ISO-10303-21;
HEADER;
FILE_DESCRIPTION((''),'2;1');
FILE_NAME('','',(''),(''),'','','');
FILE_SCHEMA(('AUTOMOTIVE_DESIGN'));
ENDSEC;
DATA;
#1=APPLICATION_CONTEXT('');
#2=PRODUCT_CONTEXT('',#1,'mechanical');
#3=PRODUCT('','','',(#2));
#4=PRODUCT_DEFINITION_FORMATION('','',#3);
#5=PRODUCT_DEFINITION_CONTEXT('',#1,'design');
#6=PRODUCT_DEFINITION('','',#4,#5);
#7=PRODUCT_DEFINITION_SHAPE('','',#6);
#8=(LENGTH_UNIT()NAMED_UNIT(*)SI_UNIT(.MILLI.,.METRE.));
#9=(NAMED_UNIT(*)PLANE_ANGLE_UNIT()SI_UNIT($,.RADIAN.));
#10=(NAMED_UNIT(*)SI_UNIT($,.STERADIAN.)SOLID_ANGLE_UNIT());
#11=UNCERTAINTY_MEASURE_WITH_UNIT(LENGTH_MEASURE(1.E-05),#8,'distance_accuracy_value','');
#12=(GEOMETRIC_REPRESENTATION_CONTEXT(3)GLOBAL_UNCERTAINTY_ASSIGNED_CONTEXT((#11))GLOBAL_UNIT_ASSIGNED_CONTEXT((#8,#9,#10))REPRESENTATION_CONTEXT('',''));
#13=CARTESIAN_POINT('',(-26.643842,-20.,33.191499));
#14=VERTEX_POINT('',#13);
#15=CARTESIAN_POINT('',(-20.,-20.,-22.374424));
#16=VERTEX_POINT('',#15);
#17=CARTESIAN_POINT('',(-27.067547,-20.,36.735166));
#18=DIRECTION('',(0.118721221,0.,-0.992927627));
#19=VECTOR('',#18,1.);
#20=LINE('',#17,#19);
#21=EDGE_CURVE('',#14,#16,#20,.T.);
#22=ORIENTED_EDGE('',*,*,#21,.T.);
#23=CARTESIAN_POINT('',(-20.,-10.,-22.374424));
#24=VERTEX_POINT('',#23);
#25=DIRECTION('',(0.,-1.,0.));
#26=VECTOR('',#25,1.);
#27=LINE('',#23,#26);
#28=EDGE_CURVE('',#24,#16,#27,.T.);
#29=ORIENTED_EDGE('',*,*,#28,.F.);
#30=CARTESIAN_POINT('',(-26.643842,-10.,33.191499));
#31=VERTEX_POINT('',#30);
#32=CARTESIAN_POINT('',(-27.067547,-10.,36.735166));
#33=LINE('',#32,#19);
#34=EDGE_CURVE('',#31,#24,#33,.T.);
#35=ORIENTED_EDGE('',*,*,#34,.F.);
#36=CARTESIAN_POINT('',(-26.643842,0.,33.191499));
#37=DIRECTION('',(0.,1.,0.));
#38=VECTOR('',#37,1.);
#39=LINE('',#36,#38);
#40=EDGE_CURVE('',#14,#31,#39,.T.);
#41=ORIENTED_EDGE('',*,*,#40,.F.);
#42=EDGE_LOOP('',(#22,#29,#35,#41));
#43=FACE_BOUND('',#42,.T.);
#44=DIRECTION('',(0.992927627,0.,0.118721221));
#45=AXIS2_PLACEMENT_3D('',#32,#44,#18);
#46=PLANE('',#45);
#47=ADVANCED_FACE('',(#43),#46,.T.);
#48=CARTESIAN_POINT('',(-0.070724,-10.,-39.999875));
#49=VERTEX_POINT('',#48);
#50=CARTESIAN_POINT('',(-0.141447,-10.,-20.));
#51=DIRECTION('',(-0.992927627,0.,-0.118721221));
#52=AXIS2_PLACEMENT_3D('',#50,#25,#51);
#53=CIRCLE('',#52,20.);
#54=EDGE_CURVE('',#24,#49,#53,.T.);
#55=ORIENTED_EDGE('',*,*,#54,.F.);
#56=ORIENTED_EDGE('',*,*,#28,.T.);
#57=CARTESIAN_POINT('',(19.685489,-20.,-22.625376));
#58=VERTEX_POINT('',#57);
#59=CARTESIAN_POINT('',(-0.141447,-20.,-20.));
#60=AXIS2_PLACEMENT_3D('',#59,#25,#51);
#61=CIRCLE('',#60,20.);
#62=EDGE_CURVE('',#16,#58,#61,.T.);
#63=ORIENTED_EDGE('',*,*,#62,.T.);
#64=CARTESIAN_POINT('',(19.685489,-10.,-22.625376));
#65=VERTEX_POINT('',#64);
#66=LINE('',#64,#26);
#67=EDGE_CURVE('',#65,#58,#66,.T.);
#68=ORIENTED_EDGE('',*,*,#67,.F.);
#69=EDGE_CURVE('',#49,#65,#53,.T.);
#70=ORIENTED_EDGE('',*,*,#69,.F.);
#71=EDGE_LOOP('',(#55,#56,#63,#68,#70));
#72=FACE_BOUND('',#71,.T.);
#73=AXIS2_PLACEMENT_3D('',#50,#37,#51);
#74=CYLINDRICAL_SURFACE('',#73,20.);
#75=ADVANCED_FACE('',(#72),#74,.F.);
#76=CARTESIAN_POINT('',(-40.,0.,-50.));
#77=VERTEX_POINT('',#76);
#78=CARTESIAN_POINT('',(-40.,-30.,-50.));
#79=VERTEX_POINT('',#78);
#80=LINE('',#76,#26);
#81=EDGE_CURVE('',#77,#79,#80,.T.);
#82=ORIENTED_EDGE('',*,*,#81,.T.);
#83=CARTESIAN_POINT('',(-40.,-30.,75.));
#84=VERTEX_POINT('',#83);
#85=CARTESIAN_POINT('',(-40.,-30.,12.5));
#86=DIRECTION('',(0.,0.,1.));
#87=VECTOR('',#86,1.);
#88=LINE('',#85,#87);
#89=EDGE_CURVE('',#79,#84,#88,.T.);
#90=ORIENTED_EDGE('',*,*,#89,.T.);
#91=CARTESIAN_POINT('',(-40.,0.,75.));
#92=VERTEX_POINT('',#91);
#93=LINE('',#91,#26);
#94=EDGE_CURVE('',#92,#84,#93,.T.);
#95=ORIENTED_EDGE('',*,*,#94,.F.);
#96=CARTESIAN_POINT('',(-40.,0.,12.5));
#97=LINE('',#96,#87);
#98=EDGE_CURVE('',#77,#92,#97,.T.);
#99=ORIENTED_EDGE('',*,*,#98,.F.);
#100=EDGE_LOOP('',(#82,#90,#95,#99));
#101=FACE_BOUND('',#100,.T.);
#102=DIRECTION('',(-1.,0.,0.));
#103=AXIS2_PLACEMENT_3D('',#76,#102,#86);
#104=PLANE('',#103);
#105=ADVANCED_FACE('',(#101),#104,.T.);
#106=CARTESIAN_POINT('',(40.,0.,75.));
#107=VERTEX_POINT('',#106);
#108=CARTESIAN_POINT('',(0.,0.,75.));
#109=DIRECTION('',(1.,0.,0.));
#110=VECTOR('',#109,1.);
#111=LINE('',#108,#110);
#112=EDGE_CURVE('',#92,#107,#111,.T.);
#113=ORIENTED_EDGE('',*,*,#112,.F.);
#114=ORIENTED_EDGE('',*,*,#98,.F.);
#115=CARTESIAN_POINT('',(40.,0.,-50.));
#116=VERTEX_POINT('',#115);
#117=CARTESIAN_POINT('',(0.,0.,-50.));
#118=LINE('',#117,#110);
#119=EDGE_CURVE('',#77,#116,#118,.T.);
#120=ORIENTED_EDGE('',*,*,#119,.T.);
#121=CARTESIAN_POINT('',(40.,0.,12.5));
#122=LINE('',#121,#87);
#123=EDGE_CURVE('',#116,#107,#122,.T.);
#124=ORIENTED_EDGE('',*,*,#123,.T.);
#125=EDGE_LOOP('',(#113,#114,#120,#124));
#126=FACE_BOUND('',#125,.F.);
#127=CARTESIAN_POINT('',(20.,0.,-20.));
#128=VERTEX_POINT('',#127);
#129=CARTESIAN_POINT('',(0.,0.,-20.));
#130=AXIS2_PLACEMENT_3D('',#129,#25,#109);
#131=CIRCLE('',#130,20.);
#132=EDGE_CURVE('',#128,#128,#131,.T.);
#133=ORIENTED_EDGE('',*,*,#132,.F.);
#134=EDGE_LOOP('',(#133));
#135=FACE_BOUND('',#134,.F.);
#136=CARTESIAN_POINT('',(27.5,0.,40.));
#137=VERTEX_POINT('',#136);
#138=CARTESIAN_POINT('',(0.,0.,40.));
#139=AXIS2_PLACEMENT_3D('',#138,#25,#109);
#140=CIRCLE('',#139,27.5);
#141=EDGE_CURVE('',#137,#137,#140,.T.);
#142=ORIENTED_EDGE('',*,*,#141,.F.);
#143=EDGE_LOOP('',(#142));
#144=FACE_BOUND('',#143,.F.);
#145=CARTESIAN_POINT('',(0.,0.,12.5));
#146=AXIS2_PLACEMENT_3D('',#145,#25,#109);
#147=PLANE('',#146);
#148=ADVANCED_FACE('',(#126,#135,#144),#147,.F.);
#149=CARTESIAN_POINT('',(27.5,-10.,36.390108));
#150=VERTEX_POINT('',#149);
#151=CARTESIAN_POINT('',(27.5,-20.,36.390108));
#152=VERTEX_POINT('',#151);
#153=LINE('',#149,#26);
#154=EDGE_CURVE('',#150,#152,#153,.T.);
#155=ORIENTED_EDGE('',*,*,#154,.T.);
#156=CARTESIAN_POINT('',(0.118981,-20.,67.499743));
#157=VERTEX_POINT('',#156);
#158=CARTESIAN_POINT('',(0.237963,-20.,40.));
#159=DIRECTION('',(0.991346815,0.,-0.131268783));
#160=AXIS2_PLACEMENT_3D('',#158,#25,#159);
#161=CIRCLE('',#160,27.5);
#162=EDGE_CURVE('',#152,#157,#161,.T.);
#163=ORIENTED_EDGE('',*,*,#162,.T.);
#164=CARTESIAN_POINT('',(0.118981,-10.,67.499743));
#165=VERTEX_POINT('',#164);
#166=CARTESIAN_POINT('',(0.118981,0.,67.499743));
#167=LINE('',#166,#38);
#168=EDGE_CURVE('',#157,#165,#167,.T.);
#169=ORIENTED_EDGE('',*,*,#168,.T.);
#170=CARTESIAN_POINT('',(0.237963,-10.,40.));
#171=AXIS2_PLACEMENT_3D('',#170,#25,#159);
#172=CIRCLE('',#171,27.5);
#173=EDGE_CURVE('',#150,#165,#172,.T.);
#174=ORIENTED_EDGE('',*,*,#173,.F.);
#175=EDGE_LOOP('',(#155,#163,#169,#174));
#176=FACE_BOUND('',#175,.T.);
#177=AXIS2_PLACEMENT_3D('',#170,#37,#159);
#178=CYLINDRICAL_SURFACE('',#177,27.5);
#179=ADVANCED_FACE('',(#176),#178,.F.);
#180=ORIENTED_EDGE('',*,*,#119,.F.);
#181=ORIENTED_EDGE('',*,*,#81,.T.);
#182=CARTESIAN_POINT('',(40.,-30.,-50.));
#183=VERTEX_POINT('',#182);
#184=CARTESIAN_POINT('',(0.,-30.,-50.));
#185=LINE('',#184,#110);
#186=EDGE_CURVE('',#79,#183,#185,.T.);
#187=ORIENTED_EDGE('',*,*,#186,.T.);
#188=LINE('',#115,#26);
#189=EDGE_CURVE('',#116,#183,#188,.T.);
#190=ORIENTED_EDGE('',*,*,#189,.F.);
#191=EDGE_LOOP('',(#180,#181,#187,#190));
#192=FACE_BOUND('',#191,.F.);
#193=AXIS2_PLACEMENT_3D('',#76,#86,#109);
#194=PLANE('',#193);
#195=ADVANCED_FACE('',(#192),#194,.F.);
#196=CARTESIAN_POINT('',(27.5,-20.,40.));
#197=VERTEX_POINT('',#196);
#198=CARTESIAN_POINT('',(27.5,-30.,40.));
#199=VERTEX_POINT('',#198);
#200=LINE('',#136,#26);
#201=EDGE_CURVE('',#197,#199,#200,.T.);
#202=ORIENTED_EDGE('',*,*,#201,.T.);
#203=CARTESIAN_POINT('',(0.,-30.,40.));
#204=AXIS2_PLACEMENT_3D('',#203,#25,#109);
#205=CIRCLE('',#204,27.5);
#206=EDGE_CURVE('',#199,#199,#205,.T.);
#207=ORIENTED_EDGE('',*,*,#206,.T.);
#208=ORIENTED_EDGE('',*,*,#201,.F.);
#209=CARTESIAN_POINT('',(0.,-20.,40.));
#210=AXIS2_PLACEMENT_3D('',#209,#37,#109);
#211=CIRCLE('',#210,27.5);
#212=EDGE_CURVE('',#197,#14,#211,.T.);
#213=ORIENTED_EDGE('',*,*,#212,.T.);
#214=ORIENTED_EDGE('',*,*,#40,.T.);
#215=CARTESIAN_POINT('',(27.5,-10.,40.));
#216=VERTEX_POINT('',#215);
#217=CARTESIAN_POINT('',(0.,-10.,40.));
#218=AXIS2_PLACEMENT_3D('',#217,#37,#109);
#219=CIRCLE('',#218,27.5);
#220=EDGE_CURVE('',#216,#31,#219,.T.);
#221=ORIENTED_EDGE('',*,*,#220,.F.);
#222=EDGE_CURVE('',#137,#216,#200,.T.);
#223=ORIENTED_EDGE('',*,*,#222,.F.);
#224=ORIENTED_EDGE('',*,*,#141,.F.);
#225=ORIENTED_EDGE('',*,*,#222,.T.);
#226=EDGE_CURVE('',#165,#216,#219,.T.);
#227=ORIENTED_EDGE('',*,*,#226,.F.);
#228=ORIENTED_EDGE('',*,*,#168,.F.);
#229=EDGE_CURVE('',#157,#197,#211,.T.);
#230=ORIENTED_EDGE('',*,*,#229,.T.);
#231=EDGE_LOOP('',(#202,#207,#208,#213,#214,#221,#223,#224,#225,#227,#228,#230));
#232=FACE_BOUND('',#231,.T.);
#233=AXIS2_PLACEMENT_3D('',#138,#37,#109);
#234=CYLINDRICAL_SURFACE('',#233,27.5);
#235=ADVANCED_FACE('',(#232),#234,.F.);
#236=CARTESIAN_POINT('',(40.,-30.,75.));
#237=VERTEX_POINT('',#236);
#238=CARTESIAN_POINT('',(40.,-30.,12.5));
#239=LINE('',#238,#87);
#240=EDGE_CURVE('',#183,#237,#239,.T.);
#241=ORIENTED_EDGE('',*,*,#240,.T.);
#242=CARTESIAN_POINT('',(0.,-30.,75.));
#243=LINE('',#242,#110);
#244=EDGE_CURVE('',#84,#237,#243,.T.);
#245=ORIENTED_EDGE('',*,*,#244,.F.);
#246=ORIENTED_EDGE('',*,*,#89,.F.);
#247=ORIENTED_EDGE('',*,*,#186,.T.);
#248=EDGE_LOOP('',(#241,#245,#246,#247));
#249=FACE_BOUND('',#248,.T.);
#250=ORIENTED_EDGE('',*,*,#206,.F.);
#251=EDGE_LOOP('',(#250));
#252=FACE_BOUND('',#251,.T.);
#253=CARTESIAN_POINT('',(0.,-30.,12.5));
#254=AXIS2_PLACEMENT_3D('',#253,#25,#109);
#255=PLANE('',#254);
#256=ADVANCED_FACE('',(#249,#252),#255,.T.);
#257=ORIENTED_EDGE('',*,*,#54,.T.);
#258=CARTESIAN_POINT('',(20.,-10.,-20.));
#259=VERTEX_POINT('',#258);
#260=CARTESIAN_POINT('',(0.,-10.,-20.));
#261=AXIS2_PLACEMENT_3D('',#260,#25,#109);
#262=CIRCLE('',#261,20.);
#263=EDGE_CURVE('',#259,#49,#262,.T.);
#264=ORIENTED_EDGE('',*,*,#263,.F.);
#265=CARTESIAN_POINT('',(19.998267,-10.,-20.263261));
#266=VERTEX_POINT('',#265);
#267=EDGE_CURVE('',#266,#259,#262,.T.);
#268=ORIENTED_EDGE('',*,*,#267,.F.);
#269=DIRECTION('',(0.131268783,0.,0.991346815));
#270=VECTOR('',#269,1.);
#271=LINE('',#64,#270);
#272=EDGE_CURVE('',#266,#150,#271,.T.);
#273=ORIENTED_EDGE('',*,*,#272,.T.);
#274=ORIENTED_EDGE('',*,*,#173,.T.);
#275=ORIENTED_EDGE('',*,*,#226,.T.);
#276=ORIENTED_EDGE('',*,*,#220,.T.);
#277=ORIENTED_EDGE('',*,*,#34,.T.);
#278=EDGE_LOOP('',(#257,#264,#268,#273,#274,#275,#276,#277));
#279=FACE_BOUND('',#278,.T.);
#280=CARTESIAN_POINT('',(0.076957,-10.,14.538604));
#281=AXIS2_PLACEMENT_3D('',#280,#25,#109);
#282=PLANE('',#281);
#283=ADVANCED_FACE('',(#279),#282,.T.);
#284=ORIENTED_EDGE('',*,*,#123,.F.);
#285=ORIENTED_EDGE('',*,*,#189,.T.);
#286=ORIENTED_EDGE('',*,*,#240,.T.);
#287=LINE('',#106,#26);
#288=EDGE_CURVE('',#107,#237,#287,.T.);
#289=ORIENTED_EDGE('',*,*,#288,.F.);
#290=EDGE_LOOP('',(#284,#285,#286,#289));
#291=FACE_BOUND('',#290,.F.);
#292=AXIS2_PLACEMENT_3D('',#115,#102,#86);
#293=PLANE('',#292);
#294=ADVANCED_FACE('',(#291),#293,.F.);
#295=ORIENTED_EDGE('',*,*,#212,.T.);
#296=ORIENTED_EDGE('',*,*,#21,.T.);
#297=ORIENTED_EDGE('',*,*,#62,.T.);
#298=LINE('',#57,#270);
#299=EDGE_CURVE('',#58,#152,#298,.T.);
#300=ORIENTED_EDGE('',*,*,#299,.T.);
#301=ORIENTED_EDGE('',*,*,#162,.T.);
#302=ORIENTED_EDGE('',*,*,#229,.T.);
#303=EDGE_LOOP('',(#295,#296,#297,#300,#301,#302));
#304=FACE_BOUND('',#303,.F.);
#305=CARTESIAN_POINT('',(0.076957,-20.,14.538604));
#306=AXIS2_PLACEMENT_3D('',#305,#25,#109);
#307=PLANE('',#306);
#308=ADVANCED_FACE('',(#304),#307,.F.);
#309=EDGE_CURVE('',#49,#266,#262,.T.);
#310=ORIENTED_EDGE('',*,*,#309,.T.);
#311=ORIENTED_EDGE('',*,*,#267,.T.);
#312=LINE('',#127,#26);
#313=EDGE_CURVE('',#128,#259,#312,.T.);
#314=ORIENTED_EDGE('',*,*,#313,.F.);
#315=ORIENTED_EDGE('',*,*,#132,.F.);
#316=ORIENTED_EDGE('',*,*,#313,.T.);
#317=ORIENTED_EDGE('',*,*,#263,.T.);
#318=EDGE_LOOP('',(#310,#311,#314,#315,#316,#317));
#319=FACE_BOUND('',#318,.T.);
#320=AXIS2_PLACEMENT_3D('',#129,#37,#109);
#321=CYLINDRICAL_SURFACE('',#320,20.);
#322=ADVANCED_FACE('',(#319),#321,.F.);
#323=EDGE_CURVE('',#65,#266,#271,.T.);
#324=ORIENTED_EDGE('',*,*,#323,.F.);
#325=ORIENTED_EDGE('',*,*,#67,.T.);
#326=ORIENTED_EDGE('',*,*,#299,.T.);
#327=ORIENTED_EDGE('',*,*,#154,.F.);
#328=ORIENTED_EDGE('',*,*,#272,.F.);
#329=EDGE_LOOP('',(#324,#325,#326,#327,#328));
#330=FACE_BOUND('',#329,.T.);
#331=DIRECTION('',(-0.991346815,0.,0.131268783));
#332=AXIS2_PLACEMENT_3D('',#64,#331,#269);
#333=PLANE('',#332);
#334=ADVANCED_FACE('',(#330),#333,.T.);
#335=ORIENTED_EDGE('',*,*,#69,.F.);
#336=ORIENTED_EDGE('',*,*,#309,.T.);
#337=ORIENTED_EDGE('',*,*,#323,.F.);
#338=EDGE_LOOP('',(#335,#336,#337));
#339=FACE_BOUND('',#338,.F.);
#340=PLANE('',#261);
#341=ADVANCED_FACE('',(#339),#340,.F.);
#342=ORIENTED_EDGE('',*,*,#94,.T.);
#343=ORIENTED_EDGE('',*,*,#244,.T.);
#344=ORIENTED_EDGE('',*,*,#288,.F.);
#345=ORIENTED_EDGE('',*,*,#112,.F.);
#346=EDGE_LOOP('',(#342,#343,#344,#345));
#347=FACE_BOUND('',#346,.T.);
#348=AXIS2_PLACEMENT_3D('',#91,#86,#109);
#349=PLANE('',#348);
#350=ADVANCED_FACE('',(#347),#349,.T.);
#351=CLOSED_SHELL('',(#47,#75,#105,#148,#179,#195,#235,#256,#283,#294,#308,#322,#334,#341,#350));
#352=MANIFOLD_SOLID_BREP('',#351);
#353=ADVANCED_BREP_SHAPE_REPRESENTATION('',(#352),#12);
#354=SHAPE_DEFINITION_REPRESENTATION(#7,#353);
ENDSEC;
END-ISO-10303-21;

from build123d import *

# Parameters (mm, degrees)
F2_W     = 80
F2_H     = 125
F2_R     = 27.5
F3_DEPTH = 30
F4_START = 10
F4_DEPTH = 10
F1_R     = 20
F5_DEPTH = 10


with BuildPart() as f3:
    # F2 (on Front) → F3 (new body)
    with BuildSketch(Plane.XZ):
        with Locations((0, 12.5)):
            Rectangle(F2_W, F2_H)
        with Locations((0, 40)):
            Circle(F2_R, mode=Mode.SUBTRACT)
    extrude(amount=F3_DEPTH)

    # F0 (on Front) → F4 (cut)
    with BuildSketch(Plane.XZ.offset(F4_START)):
        with BuildLine():
            ThreePointArc((27.5, 36.3901084755), (0.4118554049, 67.4994501998), (-27.0675471314, 36.7351664218))
            Line((-27.0675471314, 36.7351664218), (-20, -22.3744244205))
            ThreePointArc((-20, -22.3744244205), (-0.2679149621, -39.9996001453), (19.6854888228, -22.6253756542))
            Line((19.6854888228, -22.6253756542), (27.5, 36.3901084755))
        make_face()
    extrude(amount=F4_DEPTH, mode=Mode.SUBTRACT)

    # F1 (on Front) → F5 (cut)
    with BuildSketch(Plane.XZ):
        with Locations((0, -20)):
            Circle(F1_R)
    extrude(amount=F5_DEPTH, mode=Mode.SUBTRACT)


solid = f3.part
